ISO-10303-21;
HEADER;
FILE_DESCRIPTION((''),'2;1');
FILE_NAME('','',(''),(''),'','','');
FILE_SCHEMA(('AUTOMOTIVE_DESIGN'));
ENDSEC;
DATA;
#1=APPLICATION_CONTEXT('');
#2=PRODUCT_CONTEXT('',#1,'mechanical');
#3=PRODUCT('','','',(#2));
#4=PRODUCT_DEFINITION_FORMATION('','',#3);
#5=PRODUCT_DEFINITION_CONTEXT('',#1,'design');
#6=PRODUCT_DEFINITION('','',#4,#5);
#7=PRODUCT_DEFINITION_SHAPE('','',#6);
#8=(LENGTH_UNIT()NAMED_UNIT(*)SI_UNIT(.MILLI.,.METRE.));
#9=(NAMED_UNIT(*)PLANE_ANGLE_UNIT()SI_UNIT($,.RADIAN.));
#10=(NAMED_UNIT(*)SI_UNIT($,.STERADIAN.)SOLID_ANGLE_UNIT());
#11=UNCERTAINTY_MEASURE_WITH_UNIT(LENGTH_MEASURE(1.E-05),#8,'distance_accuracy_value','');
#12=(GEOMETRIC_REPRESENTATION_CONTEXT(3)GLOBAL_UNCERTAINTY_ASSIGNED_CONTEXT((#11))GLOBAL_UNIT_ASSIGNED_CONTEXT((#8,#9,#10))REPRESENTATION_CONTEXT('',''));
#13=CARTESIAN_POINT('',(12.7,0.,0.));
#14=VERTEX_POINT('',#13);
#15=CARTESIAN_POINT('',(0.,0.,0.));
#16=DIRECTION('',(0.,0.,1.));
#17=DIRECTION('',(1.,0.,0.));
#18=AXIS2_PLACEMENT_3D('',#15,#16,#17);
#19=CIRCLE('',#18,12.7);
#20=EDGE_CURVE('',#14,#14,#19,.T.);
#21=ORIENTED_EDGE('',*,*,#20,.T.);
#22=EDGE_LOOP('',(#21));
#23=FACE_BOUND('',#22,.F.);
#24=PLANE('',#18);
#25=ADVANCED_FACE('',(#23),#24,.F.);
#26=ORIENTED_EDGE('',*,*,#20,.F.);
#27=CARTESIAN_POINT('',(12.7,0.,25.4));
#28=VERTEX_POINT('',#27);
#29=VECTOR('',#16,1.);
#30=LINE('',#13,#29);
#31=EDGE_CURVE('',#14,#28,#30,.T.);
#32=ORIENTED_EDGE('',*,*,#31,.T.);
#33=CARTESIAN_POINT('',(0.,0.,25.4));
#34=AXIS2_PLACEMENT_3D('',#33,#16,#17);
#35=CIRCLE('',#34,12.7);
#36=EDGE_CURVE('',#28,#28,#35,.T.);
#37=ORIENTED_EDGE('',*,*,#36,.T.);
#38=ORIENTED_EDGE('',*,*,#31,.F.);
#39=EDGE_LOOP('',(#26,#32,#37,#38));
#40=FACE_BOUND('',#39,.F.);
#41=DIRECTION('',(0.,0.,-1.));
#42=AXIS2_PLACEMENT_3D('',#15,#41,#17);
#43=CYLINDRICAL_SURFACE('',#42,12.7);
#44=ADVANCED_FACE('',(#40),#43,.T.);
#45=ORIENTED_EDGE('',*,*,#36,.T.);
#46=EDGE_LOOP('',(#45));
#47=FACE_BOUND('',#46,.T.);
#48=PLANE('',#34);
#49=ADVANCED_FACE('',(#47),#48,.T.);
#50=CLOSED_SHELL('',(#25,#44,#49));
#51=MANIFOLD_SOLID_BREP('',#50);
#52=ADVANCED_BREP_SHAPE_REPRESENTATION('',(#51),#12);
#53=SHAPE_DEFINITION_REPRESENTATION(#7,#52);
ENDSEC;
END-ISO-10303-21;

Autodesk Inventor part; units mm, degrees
ref_plane "YZ Plane" through (0, 0, 0) normal (1, 0, 0) x (0, 1, 0)
ref_plane "XZ Plane" through (0, 0, 0) normal (0, 1, 0) x (-1, 0, 0)
ref_plane "XY Plane" through (0, 0, 0) normal (0, 0, 1) x (1, 0, 0)
sketch "Sketch1" plane through (0, 0, 0) normal (0, 0, 1) x (1, 0, 0)
  circle A0 centre (0, 0) radius 12.7
  dimension "d0" = 25.4
extrude "Extrusion1" add sketch "Sketch1" along normal blind 25.4
properties part number "Temp Sprocket Front" material "Nylon 6/6"
